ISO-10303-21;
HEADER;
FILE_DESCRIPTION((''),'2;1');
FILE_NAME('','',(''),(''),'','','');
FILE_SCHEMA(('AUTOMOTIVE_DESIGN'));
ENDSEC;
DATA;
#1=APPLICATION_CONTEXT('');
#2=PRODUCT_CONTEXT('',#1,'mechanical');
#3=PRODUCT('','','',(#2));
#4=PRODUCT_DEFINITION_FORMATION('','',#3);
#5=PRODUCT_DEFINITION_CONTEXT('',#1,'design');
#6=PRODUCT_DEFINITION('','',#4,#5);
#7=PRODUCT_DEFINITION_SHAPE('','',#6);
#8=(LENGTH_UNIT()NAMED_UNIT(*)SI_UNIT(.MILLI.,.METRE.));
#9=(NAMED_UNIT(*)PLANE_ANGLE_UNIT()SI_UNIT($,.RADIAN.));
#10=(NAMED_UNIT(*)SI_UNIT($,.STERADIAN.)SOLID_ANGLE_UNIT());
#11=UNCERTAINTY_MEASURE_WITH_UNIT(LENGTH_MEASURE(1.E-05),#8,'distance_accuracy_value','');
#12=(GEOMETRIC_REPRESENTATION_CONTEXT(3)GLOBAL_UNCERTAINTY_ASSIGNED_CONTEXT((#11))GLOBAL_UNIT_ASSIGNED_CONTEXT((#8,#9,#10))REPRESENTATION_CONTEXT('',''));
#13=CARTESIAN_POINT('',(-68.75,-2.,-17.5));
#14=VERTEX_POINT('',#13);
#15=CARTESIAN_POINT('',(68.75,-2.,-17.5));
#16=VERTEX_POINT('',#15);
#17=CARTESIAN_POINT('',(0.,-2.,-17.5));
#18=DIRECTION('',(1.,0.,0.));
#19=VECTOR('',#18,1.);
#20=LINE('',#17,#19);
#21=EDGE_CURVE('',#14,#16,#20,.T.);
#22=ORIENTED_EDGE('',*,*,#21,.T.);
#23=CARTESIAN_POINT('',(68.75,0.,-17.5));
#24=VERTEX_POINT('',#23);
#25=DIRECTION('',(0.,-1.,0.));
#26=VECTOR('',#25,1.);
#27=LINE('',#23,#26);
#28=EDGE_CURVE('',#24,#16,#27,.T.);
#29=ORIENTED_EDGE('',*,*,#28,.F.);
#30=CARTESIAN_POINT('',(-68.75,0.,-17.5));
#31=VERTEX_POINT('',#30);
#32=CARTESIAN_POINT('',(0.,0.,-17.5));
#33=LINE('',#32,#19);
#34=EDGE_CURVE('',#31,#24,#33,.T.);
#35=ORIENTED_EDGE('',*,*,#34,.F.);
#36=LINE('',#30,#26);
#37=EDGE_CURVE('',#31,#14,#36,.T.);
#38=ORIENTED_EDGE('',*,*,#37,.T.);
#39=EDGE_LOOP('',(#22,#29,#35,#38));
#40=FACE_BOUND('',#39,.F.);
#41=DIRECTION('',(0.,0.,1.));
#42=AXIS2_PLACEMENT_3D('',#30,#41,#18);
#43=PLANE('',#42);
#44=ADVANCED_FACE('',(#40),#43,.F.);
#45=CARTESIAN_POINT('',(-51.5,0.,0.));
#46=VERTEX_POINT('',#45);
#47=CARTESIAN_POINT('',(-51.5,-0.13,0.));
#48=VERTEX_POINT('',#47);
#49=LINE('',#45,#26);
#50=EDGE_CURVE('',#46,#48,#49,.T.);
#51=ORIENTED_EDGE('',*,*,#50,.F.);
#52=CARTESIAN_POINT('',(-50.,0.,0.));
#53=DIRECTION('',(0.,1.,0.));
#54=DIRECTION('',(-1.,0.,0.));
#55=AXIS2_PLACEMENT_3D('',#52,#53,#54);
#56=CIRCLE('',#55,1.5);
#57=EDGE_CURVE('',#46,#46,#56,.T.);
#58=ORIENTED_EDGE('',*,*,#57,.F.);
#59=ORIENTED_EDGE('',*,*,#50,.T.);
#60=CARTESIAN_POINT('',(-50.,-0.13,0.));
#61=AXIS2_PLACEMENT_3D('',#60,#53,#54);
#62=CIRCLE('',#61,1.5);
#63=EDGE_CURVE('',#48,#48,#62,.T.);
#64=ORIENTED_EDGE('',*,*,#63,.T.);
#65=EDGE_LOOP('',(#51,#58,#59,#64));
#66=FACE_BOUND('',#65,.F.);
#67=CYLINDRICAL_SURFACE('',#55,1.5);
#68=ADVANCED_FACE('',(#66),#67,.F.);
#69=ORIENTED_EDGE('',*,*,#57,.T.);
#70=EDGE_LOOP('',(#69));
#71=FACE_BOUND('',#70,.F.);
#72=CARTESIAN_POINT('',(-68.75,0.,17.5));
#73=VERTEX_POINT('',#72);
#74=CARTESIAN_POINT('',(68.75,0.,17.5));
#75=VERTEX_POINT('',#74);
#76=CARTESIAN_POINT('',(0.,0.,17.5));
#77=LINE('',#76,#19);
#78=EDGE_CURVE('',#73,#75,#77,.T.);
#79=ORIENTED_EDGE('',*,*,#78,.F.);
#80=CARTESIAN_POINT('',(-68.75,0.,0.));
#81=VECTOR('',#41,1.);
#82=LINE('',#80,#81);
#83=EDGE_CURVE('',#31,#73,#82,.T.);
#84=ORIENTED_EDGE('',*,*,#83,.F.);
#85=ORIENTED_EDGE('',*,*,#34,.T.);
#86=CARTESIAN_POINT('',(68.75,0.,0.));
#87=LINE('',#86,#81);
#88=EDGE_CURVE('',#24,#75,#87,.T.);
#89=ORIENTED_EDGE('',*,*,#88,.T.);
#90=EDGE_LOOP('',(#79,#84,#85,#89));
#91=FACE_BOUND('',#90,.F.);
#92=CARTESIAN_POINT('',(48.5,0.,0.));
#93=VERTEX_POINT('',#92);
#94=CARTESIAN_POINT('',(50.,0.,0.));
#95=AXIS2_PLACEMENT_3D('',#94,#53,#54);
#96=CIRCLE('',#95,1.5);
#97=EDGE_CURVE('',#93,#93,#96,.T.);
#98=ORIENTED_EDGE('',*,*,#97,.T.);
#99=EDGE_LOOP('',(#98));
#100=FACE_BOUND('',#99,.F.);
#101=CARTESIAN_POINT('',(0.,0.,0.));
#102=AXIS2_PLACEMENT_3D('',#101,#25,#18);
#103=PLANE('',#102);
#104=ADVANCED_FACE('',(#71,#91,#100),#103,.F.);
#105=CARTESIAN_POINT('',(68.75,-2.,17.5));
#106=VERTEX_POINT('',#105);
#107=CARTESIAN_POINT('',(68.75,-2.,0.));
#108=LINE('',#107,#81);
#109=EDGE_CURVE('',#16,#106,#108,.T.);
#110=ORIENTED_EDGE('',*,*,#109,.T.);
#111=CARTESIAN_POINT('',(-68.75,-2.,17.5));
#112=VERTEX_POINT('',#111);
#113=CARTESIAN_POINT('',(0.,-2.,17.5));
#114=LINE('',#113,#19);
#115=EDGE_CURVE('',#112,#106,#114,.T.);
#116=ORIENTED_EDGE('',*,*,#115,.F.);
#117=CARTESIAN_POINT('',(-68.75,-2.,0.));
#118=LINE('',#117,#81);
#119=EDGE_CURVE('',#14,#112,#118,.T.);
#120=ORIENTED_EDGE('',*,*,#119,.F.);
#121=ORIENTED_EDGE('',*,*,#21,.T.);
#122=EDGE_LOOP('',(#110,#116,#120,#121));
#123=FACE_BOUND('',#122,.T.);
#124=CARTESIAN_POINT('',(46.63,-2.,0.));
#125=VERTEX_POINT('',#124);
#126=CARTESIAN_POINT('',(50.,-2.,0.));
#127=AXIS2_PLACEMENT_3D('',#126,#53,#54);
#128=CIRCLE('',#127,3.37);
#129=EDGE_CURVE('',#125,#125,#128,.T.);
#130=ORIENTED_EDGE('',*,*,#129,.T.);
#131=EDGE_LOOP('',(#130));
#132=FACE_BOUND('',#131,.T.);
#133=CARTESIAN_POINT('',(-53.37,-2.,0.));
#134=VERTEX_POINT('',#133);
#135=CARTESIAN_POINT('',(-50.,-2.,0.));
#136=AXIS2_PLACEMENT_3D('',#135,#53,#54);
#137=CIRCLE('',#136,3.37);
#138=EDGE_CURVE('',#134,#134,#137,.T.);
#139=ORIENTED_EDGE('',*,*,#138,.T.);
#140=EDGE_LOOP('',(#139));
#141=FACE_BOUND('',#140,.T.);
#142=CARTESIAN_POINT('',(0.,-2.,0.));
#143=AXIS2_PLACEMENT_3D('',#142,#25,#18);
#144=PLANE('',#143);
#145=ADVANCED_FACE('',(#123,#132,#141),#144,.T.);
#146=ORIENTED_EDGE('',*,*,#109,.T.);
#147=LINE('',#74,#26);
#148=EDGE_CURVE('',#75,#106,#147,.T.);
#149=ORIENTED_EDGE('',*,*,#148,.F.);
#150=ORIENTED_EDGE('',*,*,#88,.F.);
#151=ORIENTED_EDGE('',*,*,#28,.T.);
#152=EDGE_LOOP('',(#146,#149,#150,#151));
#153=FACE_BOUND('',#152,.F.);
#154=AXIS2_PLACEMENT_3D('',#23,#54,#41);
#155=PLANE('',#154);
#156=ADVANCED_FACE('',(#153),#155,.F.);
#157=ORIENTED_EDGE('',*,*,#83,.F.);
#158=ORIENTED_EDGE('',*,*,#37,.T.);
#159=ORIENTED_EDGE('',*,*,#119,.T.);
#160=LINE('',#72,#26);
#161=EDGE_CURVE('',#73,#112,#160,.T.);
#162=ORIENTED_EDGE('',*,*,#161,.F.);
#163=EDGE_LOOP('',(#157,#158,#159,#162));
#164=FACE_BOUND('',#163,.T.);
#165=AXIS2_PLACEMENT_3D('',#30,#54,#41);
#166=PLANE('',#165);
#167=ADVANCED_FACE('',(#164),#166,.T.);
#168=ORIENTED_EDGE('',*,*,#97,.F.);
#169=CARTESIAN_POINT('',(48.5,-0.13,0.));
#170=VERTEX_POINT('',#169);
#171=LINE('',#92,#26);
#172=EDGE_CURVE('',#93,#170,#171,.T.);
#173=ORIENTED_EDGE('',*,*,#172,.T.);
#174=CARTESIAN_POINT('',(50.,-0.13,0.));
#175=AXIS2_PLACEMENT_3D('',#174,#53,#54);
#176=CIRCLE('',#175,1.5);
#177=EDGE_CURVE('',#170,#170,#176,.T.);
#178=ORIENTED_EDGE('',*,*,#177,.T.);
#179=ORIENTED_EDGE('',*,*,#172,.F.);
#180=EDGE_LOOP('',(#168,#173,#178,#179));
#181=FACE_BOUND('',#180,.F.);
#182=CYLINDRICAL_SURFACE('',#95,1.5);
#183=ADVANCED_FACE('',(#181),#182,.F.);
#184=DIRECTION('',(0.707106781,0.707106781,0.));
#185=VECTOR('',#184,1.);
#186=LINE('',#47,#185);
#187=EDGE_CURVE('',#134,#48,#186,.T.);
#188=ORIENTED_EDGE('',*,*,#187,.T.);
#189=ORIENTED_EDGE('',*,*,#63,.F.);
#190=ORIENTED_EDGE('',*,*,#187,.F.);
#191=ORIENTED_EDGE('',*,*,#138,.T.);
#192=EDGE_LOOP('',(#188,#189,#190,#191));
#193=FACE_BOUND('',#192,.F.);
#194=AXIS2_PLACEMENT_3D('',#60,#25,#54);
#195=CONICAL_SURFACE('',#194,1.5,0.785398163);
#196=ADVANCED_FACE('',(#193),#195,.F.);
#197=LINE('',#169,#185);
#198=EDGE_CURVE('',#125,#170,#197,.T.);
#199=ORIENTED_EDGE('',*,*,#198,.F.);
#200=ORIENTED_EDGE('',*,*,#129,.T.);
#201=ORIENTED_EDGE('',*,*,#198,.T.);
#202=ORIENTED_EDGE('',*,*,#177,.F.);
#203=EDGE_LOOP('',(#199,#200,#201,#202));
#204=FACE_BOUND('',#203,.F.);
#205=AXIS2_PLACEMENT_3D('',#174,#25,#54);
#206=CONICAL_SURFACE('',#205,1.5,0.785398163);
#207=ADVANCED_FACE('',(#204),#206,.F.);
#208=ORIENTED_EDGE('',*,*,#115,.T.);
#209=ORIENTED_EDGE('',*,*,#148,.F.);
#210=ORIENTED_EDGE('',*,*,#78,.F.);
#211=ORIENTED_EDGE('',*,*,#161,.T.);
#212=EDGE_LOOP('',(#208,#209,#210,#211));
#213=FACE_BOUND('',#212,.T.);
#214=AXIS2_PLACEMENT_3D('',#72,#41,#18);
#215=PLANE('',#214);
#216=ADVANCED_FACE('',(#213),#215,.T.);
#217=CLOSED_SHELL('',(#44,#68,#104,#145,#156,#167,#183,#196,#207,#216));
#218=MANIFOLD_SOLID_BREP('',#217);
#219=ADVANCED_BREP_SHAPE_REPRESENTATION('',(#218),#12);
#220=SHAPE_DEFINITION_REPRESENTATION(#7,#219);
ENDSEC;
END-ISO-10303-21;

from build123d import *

# Parameters (mm, degrees)
F0_W     = 137.5
F0_H     = 35
F1_DEPTH = 2
F2_R     = 1.5
F3_DEPTH = 25
F4_SIZE  = 1.87


with BuildPart() as f1:
    # F0 (on Front) → F1 (new body)
    with BuildSketch(Plane.XZ):
        Rectangle(F0_W, F0_H)
    extrude(amount=F1_DEPTH)

    # F2 (on face) → F3 (cut)
    with BuildSketch(Plane(origin=(0, 0, 0), x_dir=(-1, 0, 0), z_dir=(0, 1, 0))):
        with Locations((-50, 0)):
            Circle(F2_R)
        with Locations((50, 0)):
            Circle(F2_R)
    extrude(amount=-F3_DEPTH, mode=Mode.SUBTRACT)

    # F4
    f4_edges = [f1.edges().sort_by_distance(p)[0] for p in [
        (51.5, -2, 0),
        (-48.5, -2, 0),
    ]]
    chamfer(f4_edges, length=F4_SIZE)


solid = f1.part
